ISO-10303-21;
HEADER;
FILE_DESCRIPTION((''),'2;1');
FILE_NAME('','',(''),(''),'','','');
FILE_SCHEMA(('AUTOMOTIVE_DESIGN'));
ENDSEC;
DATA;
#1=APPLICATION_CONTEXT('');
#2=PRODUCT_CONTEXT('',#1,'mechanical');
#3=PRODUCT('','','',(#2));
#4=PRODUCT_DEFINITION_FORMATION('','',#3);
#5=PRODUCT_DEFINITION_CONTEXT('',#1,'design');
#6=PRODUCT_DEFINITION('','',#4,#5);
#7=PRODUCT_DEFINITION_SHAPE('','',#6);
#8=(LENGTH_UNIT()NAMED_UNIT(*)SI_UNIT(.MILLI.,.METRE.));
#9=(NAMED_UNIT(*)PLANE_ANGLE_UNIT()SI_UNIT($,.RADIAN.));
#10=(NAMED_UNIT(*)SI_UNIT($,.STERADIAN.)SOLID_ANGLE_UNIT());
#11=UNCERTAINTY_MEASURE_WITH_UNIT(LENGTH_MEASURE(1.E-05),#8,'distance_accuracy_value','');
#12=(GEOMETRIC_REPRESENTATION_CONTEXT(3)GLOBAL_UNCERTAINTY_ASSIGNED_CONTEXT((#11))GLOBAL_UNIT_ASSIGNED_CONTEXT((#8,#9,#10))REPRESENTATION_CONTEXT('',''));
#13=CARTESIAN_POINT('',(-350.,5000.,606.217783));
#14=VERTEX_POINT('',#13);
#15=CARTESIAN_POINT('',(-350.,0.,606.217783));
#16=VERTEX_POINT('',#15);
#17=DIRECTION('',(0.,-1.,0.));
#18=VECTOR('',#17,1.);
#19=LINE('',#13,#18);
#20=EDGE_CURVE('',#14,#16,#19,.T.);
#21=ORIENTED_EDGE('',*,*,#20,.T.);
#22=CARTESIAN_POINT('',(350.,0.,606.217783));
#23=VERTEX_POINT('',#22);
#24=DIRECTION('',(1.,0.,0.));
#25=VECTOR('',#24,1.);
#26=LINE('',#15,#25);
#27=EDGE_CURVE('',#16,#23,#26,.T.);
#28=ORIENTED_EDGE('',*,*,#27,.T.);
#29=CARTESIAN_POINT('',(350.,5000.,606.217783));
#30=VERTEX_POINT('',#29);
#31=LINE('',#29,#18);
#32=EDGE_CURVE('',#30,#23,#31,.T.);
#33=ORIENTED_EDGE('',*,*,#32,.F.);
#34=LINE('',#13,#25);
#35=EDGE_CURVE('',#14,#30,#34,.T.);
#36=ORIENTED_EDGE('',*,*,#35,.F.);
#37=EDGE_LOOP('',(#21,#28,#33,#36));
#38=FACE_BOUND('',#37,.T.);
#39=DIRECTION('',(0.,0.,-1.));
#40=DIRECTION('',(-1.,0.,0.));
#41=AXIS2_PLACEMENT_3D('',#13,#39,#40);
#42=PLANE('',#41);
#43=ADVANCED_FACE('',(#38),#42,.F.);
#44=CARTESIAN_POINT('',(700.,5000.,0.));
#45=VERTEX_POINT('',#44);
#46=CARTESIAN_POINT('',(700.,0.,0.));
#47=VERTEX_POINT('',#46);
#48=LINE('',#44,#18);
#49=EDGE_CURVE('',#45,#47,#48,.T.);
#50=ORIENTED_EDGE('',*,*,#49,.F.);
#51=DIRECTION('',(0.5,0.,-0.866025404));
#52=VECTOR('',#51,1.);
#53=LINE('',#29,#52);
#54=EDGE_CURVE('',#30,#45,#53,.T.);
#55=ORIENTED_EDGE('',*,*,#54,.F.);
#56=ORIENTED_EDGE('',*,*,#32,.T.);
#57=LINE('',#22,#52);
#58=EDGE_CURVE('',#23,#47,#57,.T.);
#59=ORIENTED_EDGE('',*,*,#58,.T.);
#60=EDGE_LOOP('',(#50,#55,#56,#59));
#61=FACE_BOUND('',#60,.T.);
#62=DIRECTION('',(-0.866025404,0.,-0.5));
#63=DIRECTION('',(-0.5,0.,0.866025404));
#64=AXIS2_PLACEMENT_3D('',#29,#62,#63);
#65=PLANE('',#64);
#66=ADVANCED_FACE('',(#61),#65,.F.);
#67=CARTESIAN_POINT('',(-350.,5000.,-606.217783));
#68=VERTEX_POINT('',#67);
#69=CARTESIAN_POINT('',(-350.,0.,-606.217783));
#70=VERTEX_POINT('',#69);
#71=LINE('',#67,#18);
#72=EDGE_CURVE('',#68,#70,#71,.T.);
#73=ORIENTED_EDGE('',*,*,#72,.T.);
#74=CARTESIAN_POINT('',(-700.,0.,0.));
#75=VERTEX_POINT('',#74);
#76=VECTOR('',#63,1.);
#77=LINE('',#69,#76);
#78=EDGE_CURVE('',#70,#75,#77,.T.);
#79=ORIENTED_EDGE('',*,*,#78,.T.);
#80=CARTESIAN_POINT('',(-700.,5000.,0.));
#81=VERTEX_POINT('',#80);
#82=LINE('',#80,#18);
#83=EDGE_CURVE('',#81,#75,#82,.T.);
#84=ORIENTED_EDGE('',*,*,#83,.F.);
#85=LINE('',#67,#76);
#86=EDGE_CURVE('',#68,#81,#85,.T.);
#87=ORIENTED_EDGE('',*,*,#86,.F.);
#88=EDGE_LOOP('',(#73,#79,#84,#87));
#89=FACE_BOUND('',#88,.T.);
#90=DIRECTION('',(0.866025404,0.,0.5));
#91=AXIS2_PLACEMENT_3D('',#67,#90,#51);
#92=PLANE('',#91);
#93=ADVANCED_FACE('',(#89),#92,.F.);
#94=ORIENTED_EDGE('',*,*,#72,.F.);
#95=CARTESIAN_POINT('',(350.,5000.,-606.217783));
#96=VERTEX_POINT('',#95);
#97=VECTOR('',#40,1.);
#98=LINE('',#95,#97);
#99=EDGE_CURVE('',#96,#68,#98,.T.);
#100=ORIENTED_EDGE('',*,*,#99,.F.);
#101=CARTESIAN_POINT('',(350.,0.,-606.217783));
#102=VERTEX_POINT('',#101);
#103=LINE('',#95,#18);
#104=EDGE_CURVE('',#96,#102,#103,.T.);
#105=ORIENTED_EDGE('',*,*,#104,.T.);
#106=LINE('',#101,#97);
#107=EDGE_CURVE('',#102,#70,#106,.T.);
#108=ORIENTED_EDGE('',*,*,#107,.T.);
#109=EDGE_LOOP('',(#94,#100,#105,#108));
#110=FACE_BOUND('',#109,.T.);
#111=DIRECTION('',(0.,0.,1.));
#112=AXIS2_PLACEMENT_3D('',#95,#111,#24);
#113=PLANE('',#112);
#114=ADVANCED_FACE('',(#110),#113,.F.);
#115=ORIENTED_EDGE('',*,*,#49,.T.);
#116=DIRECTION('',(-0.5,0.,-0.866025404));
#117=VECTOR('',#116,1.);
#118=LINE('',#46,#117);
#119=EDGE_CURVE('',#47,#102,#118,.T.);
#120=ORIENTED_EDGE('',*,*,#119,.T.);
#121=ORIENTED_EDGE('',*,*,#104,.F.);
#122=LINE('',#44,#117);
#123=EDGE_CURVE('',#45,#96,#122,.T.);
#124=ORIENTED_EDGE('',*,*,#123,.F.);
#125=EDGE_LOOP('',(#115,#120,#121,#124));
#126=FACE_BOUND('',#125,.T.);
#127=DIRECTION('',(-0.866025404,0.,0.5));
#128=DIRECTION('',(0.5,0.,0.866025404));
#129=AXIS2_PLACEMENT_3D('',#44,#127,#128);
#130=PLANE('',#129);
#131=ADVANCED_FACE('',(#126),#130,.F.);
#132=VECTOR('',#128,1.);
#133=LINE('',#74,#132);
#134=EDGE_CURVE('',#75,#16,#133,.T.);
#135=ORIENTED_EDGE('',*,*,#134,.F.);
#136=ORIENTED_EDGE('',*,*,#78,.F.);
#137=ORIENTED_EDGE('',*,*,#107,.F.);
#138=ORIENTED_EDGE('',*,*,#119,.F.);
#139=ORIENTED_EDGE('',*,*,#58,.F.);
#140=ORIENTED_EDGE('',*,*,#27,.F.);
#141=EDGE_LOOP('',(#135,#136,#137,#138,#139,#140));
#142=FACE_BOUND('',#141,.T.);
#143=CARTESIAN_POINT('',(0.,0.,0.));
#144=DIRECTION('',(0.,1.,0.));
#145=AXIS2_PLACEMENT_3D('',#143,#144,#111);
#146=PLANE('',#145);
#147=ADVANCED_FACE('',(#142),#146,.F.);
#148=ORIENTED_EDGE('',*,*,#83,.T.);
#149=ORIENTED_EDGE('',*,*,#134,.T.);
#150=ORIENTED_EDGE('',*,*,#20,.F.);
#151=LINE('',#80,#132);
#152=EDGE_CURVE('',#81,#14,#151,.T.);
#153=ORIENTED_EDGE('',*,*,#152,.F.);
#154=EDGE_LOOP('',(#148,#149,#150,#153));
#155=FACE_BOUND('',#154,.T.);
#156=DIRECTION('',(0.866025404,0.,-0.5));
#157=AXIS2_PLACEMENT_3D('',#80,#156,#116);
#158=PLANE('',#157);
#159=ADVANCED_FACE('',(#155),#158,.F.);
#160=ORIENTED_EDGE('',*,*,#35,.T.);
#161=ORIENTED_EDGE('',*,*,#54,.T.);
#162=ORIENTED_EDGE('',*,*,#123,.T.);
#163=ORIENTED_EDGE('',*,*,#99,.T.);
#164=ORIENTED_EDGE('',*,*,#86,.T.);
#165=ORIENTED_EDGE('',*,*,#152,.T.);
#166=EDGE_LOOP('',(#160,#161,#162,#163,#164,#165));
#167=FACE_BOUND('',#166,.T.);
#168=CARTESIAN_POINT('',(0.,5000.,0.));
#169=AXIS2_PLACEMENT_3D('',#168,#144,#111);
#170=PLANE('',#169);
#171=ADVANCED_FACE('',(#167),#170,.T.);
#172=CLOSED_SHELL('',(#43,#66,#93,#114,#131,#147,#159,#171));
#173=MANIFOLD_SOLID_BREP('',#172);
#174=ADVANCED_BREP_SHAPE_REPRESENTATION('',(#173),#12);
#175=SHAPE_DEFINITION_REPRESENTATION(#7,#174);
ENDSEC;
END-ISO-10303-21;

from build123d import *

# Parameters (mm, degrees)
EXTRUDE_1_DEPTH = 5000


with BuildPart() as part:
    # 草图1 → 凸台-拉伸1 (new body)
    with BuildSketch(Plane(origin=(0, 0, 0), x_dir=(1, 0, 0), z_dir=(0, 1, 0))):
        Polygon((700, 0), (350, 606.217782649), (-350, 606.217782649), (-700, 0), (-350, -606.217782649), (350, -606.217782649), align=None)
    extrude(amount=EXTRUDE_1_DEPTH)


solid = part.part
